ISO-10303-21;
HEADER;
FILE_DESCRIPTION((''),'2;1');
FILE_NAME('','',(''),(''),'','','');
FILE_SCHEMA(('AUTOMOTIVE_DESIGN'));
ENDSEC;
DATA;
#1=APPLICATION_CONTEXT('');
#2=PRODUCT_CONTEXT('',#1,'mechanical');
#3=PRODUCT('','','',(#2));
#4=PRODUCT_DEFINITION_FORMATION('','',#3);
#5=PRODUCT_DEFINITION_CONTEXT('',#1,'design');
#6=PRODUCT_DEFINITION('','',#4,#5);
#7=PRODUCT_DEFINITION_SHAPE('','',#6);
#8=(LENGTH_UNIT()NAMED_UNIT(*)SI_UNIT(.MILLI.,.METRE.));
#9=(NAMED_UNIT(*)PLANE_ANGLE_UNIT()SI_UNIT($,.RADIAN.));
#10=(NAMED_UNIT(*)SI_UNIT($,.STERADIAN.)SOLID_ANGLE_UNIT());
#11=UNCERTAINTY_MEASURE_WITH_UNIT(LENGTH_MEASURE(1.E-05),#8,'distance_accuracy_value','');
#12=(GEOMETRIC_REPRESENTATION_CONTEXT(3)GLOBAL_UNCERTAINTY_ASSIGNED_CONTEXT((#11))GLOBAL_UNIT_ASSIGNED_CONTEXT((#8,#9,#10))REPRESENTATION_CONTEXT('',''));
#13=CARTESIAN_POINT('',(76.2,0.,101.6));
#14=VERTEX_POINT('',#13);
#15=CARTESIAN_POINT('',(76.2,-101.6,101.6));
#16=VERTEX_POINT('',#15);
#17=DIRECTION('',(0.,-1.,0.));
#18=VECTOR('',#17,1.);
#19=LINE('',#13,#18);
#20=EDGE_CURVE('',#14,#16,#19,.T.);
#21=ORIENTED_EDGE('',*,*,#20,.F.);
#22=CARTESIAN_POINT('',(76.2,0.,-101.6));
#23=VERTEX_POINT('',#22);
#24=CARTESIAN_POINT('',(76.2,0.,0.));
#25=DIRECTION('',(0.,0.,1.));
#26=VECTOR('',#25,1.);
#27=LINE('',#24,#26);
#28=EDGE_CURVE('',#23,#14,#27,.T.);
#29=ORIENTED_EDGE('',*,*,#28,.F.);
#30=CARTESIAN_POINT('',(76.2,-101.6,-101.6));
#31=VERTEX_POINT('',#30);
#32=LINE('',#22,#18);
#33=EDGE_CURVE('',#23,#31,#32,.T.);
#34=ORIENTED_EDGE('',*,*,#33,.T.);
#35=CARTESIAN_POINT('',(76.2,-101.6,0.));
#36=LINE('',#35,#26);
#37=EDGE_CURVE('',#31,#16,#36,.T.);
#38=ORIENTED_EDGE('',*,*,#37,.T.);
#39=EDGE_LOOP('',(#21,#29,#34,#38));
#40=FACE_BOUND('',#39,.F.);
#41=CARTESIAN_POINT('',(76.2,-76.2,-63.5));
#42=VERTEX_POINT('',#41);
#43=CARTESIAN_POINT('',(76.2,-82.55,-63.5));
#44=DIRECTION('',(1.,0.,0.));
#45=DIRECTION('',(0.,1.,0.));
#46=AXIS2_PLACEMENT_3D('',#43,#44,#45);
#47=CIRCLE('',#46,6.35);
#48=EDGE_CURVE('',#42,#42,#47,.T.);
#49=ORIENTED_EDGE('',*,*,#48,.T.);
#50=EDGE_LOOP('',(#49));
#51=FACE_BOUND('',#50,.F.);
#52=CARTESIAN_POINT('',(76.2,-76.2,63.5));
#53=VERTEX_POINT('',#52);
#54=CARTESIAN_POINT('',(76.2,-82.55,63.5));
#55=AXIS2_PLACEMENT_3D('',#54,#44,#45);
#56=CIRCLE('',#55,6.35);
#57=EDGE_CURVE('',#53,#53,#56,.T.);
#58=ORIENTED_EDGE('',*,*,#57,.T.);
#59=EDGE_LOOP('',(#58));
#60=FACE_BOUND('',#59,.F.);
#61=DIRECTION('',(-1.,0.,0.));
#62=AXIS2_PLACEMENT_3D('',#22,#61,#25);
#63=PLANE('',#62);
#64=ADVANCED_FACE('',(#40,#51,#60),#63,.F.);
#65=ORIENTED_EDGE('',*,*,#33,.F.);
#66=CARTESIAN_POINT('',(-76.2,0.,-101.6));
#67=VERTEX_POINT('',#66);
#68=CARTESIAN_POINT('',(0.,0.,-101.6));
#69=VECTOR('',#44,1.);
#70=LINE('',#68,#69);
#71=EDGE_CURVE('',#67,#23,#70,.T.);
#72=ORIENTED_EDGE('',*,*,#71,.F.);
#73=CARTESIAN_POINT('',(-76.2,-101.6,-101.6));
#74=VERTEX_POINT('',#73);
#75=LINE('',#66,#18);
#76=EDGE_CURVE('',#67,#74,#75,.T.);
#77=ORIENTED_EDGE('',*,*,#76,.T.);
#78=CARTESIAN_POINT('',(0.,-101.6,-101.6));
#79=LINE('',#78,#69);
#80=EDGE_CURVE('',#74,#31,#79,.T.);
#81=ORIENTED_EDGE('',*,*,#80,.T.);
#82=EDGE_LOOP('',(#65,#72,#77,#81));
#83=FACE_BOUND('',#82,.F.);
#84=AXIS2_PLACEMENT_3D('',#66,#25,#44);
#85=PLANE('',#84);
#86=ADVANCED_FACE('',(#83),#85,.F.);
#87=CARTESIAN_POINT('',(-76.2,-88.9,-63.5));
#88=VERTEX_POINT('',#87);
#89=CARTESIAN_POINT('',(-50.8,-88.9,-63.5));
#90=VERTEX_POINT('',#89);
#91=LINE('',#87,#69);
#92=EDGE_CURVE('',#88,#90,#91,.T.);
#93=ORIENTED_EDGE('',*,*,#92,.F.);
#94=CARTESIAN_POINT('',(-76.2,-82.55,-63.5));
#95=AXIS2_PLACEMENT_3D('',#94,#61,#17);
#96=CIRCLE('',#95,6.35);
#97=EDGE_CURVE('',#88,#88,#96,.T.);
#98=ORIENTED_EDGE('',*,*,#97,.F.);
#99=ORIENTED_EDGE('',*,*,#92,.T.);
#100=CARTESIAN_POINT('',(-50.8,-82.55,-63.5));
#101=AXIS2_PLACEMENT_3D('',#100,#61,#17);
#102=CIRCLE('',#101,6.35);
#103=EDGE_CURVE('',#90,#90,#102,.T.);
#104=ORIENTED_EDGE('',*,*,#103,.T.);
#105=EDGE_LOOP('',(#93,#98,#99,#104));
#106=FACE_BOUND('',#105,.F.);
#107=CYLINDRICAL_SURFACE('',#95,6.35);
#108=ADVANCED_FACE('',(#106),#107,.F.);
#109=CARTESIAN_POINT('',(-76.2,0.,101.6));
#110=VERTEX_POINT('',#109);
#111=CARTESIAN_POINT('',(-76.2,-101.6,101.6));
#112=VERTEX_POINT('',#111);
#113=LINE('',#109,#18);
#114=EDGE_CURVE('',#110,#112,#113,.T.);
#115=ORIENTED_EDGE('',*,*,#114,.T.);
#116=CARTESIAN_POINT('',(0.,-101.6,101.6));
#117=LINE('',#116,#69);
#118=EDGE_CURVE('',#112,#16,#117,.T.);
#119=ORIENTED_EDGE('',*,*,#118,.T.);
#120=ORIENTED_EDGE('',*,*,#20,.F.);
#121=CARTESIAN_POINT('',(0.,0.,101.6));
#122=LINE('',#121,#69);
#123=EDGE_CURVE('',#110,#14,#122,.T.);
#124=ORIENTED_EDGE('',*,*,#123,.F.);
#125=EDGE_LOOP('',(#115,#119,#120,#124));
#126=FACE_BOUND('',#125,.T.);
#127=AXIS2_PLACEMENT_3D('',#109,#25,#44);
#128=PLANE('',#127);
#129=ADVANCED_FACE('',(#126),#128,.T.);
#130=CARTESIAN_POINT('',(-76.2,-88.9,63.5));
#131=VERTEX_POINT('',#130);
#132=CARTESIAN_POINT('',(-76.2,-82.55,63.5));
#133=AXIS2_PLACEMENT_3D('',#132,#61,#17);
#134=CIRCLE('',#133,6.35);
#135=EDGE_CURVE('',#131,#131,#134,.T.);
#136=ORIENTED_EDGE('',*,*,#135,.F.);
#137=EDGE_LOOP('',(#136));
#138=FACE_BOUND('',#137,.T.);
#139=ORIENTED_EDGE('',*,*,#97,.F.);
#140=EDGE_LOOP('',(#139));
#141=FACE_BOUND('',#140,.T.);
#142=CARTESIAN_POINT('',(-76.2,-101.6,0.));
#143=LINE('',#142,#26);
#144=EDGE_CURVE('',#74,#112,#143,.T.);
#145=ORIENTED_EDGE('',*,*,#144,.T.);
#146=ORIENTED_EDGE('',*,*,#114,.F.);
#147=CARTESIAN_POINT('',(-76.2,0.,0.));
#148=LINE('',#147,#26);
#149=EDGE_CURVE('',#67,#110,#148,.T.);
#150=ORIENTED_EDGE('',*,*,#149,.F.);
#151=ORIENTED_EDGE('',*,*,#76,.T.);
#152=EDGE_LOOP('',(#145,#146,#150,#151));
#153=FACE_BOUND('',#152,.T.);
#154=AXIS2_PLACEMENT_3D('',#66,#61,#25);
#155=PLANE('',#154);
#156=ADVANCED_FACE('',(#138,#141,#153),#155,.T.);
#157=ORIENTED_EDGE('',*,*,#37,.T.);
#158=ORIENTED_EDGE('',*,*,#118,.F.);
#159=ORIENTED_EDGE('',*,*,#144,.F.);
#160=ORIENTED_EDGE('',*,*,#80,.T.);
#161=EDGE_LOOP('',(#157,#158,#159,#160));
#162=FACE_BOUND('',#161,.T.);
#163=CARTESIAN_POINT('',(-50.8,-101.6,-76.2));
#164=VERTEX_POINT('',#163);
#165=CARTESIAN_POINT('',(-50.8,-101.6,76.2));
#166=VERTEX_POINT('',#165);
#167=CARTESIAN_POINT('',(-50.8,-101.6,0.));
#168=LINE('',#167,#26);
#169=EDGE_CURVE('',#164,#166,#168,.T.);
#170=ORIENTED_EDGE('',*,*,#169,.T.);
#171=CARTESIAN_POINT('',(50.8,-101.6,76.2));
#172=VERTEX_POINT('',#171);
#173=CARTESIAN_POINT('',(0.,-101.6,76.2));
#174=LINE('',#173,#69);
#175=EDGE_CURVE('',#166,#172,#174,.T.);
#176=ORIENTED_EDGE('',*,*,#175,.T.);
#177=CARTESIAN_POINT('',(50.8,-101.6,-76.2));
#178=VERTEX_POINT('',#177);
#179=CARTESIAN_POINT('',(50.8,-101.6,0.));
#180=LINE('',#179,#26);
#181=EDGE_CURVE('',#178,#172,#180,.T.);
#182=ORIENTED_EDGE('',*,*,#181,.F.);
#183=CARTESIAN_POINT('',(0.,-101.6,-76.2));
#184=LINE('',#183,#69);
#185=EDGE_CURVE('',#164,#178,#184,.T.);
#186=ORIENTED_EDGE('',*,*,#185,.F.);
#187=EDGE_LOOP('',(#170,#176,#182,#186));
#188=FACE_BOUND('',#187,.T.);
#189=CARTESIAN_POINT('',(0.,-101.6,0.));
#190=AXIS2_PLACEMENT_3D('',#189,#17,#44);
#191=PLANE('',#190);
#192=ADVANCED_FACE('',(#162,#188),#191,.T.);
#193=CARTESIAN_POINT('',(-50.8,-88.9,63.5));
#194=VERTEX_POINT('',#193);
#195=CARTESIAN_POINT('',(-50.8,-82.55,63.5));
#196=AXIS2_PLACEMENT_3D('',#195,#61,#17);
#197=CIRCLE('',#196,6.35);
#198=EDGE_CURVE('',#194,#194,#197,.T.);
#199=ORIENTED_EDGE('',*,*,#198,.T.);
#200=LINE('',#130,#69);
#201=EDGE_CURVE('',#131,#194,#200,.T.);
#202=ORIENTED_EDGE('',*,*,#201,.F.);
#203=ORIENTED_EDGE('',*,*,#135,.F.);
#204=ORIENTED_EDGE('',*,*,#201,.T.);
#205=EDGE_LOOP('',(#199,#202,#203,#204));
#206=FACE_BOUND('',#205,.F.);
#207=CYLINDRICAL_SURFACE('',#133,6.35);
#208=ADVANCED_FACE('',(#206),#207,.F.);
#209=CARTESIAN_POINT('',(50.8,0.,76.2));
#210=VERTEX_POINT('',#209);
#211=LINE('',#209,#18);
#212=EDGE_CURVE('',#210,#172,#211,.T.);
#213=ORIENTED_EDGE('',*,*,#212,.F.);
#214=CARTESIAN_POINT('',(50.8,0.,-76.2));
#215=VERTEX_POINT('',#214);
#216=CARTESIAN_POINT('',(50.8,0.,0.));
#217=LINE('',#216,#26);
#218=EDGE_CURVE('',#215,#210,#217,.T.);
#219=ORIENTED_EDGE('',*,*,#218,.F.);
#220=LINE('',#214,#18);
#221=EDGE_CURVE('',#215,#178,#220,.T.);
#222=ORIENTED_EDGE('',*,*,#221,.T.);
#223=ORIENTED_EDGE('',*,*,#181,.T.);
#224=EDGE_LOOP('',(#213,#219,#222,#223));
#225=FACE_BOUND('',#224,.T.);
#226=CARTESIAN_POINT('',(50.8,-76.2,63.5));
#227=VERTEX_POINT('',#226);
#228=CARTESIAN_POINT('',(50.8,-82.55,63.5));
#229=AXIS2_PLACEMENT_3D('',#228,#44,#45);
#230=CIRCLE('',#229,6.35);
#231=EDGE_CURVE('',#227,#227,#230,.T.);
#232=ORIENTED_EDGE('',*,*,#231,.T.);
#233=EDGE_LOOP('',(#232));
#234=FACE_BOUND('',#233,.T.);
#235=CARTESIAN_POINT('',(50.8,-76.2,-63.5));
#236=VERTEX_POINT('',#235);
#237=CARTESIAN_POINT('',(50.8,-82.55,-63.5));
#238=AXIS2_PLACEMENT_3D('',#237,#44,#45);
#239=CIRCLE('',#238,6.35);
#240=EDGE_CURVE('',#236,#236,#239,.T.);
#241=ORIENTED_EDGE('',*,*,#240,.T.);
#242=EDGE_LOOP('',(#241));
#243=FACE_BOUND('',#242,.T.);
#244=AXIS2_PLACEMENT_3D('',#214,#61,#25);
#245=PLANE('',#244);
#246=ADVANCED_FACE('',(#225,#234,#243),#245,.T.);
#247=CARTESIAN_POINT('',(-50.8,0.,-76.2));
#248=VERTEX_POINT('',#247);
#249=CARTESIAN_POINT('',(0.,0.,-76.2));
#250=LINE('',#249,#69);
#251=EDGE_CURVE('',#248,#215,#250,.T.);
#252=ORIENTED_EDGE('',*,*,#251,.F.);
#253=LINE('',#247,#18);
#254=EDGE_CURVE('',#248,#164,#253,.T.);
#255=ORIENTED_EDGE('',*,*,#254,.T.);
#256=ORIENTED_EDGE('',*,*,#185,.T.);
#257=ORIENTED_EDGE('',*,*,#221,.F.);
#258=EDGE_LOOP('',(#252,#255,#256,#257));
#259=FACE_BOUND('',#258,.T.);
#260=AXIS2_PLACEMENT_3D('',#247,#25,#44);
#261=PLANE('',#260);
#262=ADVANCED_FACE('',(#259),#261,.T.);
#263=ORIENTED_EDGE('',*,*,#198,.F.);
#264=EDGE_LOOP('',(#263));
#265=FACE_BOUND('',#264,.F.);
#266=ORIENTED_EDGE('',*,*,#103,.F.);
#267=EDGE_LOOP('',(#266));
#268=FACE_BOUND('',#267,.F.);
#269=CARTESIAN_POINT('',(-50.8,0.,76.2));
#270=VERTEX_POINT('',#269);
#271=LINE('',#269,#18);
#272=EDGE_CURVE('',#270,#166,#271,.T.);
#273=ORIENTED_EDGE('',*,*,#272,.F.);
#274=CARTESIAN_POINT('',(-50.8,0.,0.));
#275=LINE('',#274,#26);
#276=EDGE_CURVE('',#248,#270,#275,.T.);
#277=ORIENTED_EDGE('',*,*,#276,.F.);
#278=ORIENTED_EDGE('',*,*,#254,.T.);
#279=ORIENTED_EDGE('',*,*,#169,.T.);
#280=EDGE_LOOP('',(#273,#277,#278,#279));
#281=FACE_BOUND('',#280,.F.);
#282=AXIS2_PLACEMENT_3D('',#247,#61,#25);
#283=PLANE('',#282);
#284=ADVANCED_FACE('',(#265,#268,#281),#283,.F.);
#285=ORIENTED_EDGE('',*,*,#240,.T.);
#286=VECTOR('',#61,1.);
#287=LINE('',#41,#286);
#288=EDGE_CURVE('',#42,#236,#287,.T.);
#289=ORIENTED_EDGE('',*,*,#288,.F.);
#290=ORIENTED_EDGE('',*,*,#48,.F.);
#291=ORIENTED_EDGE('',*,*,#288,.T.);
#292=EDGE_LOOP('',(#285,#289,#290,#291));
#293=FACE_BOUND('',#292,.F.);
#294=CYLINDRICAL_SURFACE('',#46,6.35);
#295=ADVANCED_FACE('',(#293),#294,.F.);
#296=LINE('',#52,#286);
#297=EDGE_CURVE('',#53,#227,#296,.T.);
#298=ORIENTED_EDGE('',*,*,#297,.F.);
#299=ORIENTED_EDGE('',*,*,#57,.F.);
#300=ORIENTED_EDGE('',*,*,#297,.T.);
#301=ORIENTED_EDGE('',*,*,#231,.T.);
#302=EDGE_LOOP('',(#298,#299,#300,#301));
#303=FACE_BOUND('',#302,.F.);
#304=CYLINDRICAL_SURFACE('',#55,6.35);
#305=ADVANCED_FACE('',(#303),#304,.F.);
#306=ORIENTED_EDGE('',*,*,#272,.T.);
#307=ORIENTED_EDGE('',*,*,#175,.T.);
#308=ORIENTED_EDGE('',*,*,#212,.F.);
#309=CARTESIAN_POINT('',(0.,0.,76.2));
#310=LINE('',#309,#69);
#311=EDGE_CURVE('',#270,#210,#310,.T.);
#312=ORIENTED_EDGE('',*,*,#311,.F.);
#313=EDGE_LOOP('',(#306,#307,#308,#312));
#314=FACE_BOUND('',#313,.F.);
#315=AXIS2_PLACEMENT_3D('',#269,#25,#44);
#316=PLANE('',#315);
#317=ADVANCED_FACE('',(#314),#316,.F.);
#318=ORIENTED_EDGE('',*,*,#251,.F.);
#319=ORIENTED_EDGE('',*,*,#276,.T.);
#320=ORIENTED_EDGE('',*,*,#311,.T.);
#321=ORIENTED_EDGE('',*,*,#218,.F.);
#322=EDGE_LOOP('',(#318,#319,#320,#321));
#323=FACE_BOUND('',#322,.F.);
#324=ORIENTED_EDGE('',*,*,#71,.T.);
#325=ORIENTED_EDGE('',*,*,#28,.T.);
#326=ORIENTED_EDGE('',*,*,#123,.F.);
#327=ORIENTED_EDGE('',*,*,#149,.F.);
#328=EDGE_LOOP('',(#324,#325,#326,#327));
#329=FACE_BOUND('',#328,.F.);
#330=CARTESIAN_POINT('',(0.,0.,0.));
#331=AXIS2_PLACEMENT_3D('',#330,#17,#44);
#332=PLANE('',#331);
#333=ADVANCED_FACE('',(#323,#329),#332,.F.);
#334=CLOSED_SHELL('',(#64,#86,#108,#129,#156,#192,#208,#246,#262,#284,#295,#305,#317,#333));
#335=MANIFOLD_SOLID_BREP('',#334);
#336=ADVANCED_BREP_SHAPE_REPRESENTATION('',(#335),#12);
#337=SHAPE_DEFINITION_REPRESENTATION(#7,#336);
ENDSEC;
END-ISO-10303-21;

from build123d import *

# Parameters (mm, degrees)
F0_W     = 152.4
F0_H     = 203.2
F0_W_2   = 101.6
F0_H_2   = 152.4
F1_DEPTH = 101.6
F2_R     = 6.35
F3_DEPTH = 25.4
F4_R     = 6.35
F5_DEPTH = 25.4


with BuildPart() as f1:
    # F0 (on Front) → F1 (new body)
    with BuildSketch(Plane.XZ):
        Rectangle(F0_W, F0_H)
        Rectangle(F0_W_2, F0_H_2, mode=Mode.SUBTRACT)
    extrude(amount=F1_DEPTH)

    # F2 (on face) → F3 (cut)
    with BuildSketch(Plane(origin=(-76.2, 0, 0), x_dir=(0, -1, 0), z_dir=(-1, 0, 0))):
        with Locations((82.55, -63.5)):
            Circle(F2_R)
        with Locations((82.55, 63.5)):
            Circle(F2_R)
    extrude(amount=-F3_DEPTH, mode=Mode.SUBTRACT)

    # F4 (on face) → F5 (cut)
    with BuildSketch(Plane.YZ.offset(76.2)):
        with Locations((-82.55, 63.5)):
            Circle(F4_R)
        with Locations((-82.55, -63.5)):
            Circle(F4_R)
    extrude(amount=-F5_DEPTH, mode=Mode.SUBTRACT)


solid = f1.part
